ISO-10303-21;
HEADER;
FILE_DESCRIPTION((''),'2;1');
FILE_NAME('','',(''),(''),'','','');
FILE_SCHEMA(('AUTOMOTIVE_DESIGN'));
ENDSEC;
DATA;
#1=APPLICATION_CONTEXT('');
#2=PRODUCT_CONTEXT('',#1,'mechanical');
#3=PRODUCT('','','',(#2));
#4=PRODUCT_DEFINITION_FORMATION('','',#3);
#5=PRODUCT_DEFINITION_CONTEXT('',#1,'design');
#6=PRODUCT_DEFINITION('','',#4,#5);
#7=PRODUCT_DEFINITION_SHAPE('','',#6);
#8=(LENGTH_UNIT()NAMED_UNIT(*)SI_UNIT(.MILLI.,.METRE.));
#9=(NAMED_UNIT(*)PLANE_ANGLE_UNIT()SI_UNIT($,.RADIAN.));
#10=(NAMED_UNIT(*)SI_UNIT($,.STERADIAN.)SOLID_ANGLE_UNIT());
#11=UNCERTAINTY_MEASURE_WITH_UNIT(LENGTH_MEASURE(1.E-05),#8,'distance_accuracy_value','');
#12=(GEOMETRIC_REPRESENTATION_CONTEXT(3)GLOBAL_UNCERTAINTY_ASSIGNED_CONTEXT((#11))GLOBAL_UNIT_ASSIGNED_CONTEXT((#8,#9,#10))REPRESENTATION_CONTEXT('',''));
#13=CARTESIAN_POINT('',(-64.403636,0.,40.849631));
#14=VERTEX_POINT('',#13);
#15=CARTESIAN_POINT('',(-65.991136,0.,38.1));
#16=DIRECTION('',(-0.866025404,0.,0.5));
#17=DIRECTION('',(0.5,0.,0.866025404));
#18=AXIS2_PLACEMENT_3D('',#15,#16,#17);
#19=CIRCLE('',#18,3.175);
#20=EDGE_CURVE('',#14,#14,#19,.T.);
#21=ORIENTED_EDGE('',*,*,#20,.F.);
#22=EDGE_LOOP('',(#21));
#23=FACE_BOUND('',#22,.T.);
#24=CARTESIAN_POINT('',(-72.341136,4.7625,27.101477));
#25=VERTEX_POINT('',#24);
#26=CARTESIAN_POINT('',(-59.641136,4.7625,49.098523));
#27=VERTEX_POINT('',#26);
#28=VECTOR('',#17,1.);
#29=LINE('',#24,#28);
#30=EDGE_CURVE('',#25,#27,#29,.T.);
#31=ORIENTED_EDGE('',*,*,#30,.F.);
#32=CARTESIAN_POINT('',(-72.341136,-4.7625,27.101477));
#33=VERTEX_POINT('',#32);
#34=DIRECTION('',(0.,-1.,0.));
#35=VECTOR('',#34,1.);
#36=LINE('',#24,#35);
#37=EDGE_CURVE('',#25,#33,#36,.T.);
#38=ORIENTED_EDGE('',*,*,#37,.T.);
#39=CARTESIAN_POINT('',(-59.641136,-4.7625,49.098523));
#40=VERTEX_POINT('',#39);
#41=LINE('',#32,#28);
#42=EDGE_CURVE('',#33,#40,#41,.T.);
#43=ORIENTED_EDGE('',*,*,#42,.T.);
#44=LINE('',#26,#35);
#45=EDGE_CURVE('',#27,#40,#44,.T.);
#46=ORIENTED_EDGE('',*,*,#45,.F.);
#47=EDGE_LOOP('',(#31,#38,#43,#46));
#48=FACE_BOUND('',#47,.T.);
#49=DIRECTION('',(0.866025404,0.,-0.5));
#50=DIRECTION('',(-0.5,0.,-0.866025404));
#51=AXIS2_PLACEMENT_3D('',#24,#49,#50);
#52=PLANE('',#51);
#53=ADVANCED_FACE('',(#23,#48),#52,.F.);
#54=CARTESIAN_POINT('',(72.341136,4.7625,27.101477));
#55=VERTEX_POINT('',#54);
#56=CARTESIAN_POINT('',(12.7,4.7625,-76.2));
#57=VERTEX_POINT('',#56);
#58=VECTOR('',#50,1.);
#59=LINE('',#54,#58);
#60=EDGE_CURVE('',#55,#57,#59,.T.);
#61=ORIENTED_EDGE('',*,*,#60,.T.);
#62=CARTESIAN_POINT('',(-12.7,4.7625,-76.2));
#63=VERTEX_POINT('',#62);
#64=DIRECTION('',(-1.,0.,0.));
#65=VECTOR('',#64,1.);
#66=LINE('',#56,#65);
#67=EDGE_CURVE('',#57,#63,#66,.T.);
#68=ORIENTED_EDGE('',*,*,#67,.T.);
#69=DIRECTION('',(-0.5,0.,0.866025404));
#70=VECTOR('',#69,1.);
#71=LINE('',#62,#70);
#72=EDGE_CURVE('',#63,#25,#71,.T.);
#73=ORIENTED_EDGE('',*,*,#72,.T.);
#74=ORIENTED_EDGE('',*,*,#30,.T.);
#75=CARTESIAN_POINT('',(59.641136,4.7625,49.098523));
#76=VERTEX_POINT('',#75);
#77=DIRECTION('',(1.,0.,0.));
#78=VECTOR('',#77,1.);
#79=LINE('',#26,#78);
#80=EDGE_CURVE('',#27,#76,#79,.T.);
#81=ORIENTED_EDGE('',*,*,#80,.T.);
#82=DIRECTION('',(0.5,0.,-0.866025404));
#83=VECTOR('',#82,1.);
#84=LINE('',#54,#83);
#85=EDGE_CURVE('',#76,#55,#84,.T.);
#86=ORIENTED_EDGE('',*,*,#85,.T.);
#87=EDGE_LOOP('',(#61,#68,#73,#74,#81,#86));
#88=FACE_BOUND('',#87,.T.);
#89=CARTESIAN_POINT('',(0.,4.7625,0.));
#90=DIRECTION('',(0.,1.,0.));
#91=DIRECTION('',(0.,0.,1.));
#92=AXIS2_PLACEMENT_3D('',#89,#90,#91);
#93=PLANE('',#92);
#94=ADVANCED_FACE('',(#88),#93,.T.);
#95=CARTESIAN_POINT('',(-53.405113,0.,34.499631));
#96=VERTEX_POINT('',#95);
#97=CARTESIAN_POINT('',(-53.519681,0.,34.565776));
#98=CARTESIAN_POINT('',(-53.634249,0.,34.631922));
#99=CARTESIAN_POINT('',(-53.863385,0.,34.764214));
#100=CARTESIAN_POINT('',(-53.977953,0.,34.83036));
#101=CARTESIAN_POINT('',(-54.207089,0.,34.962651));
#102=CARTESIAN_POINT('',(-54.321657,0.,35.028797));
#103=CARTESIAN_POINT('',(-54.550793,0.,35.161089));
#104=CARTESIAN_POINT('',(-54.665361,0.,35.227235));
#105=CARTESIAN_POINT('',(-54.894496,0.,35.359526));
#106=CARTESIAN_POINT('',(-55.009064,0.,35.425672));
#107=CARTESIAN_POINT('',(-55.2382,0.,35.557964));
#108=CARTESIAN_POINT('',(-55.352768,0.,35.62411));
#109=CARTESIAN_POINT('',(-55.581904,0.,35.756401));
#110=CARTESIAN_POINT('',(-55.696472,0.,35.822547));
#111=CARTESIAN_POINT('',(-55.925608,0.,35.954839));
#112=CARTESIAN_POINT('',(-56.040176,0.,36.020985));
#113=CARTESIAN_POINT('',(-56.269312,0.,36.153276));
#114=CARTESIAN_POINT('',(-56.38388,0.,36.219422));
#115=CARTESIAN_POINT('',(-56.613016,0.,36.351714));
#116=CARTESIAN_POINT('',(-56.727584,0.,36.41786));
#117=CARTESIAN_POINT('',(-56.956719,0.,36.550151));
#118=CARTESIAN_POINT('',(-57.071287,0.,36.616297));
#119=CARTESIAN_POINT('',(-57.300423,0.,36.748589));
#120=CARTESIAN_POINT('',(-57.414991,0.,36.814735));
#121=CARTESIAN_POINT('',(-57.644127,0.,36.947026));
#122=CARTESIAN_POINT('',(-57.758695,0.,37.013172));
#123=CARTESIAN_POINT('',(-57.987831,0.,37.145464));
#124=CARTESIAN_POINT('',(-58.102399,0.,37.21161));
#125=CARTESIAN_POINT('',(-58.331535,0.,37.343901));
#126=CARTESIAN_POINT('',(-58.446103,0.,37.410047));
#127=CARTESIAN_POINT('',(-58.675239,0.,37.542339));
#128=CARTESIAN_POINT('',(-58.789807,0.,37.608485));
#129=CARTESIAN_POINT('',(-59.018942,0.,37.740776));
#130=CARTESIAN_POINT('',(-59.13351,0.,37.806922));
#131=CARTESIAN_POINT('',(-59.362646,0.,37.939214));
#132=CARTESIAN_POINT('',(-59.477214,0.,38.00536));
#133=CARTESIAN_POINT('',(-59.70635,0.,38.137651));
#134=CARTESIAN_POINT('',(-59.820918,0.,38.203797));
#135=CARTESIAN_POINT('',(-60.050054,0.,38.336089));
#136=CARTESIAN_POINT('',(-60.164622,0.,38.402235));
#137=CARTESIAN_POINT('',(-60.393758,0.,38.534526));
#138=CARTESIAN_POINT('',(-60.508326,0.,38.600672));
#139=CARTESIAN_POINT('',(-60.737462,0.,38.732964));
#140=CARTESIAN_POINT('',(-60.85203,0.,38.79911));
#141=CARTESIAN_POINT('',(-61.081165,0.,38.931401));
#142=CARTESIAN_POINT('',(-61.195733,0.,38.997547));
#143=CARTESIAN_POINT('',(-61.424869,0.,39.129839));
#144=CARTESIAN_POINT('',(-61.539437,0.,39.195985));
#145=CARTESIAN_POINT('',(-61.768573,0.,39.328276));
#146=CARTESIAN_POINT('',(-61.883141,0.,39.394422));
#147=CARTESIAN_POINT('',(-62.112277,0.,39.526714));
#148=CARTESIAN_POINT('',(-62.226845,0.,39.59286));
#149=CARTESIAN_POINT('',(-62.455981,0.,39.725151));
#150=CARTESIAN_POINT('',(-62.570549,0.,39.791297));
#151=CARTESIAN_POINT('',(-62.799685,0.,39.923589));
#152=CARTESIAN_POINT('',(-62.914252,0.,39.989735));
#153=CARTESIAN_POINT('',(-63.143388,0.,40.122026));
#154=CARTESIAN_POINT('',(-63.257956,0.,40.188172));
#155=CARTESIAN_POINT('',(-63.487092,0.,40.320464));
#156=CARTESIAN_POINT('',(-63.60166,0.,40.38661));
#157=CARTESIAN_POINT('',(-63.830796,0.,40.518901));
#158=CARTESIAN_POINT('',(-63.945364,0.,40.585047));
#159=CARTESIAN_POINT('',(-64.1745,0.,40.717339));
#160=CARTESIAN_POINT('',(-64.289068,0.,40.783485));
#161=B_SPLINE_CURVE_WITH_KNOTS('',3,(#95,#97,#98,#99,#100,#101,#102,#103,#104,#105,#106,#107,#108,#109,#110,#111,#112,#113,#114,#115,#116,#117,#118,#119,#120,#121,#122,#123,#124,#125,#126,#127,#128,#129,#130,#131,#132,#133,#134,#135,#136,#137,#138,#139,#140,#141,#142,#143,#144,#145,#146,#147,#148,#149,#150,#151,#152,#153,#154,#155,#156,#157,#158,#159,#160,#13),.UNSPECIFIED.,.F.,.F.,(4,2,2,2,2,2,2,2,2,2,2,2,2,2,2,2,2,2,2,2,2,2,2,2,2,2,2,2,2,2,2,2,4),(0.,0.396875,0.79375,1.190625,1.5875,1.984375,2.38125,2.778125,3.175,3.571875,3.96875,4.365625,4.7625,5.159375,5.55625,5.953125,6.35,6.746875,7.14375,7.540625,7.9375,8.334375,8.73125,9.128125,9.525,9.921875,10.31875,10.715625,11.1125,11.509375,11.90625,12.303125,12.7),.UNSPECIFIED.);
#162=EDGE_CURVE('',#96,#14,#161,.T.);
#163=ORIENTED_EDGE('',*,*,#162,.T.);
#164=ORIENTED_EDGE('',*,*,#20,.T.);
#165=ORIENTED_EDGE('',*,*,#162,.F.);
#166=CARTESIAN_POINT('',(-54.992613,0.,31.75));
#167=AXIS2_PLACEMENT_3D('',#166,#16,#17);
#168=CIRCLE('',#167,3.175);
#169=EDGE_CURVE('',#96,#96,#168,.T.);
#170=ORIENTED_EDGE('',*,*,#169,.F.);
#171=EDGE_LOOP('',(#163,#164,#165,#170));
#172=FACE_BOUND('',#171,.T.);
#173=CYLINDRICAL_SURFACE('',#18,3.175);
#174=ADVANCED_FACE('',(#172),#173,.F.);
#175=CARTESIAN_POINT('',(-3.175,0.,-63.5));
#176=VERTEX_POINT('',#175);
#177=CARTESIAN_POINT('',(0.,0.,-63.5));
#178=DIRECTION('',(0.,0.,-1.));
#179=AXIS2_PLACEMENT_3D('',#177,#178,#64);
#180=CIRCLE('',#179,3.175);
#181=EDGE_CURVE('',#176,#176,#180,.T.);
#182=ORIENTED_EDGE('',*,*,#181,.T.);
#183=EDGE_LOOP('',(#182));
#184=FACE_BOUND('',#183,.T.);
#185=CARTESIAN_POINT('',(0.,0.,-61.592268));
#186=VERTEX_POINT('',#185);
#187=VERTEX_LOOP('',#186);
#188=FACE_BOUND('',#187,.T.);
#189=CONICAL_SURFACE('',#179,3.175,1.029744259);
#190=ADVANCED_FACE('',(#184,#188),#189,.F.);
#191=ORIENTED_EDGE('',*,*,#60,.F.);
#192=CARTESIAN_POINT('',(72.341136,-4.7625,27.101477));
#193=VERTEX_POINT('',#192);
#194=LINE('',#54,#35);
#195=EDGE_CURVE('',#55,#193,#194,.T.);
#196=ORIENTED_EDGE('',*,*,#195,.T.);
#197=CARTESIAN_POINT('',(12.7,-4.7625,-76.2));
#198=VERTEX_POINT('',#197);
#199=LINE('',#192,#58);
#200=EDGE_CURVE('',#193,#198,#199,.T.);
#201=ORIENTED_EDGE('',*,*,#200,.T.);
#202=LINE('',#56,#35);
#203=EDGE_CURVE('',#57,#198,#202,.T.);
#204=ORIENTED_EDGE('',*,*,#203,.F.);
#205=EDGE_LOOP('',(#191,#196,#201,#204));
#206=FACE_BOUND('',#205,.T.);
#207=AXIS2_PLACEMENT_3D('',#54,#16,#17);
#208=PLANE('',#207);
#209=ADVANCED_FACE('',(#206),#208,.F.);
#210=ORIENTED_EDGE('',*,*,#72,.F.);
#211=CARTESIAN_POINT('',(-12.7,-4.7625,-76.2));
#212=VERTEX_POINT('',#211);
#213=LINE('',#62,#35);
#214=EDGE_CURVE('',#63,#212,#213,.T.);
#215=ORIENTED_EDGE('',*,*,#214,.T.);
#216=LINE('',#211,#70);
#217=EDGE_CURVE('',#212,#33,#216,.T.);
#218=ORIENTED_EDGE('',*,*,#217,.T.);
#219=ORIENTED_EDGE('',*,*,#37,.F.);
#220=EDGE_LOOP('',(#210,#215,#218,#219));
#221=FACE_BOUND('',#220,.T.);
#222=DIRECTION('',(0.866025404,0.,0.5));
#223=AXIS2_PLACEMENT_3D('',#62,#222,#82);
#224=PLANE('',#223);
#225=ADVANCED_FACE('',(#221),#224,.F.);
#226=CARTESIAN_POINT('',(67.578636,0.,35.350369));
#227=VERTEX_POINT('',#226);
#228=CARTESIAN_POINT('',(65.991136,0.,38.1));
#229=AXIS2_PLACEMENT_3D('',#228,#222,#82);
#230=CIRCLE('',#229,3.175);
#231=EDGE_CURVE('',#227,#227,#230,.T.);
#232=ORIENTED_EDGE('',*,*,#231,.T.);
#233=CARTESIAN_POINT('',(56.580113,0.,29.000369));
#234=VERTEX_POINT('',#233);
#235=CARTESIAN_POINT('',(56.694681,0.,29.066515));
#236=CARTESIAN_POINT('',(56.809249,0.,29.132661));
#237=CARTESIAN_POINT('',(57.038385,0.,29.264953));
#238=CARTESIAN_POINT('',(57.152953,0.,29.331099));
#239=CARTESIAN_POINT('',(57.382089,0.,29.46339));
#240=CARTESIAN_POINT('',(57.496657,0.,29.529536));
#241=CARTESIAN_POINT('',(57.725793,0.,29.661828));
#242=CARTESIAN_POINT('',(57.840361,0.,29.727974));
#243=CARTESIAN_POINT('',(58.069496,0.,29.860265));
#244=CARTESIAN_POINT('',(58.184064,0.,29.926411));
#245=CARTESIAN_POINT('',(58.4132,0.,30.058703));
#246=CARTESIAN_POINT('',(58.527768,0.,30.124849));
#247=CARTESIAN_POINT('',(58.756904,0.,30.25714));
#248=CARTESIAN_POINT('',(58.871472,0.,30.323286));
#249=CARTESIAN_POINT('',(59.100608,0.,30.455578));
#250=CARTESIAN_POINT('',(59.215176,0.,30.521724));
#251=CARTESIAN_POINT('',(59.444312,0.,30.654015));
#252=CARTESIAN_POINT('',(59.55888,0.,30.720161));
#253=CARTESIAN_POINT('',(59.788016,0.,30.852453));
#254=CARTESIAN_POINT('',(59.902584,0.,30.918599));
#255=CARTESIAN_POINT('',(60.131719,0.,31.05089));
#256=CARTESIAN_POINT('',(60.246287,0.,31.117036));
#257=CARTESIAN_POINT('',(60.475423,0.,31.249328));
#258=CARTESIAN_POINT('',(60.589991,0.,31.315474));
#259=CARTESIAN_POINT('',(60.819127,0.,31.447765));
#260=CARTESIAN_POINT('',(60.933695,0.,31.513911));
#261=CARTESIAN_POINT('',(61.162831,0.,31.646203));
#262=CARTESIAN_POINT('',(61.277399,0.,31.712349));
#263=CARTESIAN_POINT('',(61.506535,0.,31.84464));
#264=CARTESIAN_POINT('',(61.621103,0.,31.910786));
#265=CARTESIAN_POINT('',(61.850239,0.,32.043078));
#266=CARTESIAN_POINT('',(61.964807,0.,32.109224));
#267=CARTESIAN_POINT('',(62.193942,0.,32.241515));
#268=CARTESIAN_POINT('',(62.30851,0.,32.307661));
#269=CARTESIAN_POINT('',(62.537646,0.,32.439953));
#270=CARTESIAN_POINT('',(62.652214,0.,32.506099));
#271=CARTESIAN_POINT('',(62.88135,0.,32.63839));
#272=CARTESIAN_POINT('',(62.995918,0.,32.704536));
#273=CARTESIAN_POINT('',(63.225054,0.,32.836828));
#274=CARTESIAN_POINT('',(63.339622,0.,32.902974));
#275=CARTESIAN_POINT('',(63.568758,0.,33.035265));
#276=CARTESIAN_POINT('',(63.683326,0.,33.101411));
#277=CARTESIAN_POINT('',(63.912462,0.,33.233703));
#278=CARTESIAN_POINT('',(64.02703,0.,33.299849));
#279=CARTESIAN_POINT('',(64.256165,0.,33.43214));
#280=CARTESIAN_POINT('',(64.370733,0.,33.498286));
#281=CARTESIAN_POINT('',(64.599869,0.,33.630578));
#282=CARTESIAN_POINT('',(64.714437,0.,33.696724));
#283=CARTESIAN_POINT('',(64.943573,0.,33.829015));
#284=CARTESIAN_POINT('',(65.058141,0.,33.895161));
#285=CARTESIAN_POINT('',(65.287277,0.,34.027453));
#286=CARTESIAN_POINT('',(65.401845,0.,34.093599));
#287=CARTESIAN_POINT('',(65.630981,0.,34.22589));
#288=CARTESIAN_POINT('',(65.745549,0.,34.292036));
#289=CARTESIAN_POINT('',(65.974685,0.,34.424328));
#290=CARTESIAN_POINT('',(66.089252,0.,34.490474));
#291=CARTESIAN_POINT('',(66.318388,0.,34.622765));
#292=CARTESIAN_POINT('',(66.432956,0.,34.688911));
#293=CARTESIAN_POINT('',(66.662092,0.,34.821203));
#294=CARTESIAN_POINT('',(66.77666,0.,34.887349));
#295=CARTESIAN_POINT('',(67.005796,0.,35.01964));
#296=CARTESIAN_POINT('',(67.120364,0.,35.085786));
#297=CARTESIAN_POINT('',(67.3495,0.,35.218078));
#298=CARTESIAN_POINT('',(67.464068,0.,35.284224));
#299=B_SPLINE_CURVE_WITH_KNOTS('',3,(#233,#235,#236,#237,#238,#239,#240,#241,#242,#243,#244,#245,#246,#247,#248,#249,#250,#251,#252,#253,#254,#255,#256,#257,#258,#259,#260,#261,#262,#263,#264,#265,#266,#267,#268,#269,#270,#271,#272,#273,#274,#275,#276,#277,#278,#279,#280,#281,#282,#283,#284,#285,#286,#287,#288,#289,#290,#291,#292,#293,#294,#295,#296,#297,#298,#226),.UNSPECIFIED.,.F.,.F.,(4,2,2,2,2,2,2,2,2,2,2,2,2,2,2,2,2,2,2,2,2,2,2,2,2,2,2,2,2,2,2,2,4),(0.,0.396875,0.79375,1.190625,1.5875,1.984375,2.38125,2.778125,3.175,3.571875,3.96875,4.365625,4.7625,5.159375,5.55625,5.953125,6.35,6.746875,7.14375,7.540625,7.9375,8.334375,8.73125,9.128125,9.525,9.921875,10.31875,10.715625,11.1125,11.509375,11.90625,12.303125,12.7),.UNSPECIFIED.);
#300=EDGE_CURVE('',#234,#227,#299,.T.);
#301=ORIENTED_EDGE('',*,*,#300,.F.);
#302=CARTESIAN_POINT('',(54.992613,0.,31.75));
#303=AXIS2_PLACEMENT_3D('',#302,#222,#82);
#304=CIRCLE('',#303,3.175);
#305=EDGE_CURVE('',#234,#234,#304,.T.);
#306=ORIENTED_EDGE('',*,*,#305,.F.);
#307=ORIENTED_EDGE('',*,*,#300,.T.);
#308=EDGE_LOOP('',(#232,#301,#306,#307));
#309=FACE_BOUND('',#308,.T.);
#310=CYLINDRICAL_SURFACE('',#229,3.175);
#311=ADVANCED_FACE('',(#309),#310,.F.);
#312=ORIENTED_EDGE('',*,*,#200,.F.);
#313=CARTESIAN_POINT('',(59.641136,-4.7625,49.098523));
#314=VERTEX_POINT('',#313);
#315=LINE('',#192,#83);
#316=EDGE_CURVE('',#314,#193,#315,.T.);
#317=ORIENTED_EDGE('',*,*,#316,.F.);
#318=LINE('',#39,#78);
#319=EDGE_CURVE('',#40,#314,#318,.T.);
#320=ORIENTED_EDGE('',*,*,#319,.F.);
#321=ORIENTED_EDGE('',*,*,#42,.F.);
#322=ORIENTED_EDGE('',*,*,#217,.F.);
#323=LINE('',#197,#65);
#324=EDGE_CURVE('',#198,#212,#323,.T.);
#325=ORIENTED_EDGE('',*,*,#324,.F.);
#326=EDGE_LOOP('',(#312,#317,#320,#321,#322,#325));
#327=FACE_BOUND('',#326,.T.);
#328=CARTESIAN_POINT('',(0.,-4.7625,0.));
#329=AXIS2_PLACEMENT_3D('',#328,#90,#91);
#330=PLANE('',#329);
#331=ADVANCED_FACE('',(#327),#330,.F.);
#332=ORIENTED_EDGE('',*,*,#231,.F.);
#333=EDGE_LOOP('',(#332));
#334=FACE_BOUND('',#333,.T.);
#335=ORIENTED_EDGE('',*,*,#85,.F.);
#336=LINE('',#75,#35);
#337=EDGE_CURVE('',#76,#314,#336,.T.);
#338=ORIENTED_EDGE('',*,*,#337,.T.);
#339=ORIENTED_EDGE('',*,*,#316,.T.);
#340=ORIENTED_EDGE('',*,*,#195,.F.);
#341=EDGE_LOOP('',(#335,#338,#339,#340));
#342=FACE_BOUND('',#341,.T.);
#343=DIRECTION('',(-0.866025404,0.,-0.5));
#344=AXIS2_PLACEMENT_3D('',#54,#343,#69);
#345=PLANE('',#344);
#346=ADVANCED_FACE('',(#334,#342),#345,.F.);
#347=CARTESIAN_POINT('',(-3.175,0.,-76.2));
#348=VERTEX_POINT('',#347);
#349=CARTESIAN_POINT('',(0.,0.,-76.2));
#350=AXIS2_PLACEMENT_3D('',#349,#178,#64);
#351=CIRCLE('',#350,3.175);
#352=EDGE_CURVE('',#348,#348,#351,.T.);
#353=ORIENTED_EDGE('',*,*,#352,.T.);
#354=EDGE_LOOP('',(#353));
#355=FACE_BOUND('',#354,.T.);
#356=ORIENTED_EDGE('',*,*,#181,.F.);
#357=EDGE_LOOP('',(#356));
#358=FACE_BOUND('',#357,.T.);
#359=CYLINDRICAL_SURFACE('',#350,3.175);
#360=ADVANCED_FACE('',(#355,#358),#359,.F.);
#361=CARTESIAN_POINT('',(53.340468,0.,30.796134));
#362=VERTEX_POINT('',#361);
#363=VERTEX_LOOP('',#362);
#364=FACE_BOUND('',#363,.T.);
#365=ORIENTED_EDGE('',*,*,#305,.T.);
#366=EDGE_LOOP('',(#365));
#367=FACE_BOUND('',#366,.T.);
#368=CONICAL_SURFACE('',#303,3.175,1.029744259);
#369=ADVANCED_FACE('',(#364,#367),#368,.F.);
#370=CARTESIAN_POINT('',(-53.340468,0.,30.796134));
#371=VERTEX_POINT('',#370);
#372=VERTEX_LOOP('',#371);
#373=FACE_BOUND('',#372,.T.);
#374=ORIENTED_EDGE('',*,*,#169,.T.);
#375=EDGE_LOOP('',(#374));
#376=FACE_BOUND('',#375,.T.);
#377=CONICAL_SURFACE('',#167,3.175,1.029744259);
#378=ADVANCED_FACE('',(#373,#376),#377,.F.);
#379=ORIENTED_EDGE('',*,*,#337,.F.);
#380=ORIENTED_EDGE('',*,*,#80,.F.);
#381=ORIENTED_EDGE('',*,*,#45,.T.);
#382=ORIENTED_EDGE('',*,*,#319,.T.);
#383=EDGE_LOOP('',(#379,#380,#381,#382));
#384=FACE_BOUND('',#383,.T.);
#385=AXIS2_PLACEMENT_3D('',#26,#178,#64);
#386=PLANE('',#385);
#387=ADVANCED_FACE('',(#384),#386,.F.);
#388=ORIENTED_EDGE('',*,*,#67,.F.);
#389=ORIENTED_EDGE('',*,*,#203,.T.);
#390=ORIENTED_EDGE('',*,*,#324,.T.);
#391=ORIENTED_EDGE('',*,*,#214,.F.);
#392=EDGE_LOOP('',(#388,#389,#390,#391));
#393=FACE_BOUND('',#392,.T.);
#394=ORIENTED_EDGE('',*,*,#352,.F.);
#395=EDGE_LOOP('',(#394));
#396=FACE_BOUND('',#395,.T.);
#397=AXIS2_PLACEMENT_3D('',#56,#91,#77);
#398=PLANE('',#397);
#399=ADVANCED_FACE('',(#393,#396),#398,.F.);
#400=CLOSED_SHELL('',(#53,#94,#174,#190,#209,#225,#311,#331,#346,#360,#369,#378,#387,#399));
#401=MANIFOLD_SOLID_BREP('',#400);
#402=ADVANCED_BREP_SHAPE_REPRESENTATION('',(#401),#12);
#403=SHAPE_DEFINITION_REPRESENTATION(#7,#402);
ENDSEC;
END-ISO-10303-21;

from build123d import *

# Parameters (mm, degrees)
BOSS_EXTRUDE1_DEPTH = 4.7625
CIRPATTERN1_COUNT   = 3


with BuildPart() as part:
    # Sketch1 → Boss-Extrude1 (new, symmetric)
    with BuildSketch(Plane(origin=(0, 0, 0), x_dir=(1, 0, 0), z_dir=(0, 1, 0))):
        Polygon((12.7, 76.2), (-12.7, 76.2), (-72.341135768, -27.101477372), (-59.641135768, -49.098522628), (59.641135768, -49.098522628), (72.341135768, -27.101477372), align=None)
    extrude(amount=BOSS_EXTRUDE1_DEPTH, both=True)

    # Sketch5 → 1/4 (0.25) Diameter Hole1 (revolve, cut)
    with BuildSketch(Plane(origin=(65.991135768, 0, 38.1), x_dir=(0.500000000000001, 0, -0.8660254037844382), z_dir=(0, 1, 0))):
        Polygon((0, 0), (0, 14.607732465), (3.175, 12.7), (3.175, 0), align=None)
    f_1_4_0_25_diameter_hole1 = revolve(axis=Axis((71.490397082, 0, 41.275), (-0.866025403784438, 0, -0.500000000000001)), mode=Mode.SUBTRACT)

    # CirPattern1: 1/4 (0.25) Diameter Hole1 ×3 about axis
    cirpattern1_axis = Axis((0, 4.7625, 0), (0, 1, 0))
    for i in range(1, CIRPATTERN1_COUNT):
        add(f_1_4_0_25_diameter_hole1.rotate(cirpattern1_axis, i * 360 / CIRPATTERN1_COUNT), mode=Mode.SUBTRACT)


solid = part.part
